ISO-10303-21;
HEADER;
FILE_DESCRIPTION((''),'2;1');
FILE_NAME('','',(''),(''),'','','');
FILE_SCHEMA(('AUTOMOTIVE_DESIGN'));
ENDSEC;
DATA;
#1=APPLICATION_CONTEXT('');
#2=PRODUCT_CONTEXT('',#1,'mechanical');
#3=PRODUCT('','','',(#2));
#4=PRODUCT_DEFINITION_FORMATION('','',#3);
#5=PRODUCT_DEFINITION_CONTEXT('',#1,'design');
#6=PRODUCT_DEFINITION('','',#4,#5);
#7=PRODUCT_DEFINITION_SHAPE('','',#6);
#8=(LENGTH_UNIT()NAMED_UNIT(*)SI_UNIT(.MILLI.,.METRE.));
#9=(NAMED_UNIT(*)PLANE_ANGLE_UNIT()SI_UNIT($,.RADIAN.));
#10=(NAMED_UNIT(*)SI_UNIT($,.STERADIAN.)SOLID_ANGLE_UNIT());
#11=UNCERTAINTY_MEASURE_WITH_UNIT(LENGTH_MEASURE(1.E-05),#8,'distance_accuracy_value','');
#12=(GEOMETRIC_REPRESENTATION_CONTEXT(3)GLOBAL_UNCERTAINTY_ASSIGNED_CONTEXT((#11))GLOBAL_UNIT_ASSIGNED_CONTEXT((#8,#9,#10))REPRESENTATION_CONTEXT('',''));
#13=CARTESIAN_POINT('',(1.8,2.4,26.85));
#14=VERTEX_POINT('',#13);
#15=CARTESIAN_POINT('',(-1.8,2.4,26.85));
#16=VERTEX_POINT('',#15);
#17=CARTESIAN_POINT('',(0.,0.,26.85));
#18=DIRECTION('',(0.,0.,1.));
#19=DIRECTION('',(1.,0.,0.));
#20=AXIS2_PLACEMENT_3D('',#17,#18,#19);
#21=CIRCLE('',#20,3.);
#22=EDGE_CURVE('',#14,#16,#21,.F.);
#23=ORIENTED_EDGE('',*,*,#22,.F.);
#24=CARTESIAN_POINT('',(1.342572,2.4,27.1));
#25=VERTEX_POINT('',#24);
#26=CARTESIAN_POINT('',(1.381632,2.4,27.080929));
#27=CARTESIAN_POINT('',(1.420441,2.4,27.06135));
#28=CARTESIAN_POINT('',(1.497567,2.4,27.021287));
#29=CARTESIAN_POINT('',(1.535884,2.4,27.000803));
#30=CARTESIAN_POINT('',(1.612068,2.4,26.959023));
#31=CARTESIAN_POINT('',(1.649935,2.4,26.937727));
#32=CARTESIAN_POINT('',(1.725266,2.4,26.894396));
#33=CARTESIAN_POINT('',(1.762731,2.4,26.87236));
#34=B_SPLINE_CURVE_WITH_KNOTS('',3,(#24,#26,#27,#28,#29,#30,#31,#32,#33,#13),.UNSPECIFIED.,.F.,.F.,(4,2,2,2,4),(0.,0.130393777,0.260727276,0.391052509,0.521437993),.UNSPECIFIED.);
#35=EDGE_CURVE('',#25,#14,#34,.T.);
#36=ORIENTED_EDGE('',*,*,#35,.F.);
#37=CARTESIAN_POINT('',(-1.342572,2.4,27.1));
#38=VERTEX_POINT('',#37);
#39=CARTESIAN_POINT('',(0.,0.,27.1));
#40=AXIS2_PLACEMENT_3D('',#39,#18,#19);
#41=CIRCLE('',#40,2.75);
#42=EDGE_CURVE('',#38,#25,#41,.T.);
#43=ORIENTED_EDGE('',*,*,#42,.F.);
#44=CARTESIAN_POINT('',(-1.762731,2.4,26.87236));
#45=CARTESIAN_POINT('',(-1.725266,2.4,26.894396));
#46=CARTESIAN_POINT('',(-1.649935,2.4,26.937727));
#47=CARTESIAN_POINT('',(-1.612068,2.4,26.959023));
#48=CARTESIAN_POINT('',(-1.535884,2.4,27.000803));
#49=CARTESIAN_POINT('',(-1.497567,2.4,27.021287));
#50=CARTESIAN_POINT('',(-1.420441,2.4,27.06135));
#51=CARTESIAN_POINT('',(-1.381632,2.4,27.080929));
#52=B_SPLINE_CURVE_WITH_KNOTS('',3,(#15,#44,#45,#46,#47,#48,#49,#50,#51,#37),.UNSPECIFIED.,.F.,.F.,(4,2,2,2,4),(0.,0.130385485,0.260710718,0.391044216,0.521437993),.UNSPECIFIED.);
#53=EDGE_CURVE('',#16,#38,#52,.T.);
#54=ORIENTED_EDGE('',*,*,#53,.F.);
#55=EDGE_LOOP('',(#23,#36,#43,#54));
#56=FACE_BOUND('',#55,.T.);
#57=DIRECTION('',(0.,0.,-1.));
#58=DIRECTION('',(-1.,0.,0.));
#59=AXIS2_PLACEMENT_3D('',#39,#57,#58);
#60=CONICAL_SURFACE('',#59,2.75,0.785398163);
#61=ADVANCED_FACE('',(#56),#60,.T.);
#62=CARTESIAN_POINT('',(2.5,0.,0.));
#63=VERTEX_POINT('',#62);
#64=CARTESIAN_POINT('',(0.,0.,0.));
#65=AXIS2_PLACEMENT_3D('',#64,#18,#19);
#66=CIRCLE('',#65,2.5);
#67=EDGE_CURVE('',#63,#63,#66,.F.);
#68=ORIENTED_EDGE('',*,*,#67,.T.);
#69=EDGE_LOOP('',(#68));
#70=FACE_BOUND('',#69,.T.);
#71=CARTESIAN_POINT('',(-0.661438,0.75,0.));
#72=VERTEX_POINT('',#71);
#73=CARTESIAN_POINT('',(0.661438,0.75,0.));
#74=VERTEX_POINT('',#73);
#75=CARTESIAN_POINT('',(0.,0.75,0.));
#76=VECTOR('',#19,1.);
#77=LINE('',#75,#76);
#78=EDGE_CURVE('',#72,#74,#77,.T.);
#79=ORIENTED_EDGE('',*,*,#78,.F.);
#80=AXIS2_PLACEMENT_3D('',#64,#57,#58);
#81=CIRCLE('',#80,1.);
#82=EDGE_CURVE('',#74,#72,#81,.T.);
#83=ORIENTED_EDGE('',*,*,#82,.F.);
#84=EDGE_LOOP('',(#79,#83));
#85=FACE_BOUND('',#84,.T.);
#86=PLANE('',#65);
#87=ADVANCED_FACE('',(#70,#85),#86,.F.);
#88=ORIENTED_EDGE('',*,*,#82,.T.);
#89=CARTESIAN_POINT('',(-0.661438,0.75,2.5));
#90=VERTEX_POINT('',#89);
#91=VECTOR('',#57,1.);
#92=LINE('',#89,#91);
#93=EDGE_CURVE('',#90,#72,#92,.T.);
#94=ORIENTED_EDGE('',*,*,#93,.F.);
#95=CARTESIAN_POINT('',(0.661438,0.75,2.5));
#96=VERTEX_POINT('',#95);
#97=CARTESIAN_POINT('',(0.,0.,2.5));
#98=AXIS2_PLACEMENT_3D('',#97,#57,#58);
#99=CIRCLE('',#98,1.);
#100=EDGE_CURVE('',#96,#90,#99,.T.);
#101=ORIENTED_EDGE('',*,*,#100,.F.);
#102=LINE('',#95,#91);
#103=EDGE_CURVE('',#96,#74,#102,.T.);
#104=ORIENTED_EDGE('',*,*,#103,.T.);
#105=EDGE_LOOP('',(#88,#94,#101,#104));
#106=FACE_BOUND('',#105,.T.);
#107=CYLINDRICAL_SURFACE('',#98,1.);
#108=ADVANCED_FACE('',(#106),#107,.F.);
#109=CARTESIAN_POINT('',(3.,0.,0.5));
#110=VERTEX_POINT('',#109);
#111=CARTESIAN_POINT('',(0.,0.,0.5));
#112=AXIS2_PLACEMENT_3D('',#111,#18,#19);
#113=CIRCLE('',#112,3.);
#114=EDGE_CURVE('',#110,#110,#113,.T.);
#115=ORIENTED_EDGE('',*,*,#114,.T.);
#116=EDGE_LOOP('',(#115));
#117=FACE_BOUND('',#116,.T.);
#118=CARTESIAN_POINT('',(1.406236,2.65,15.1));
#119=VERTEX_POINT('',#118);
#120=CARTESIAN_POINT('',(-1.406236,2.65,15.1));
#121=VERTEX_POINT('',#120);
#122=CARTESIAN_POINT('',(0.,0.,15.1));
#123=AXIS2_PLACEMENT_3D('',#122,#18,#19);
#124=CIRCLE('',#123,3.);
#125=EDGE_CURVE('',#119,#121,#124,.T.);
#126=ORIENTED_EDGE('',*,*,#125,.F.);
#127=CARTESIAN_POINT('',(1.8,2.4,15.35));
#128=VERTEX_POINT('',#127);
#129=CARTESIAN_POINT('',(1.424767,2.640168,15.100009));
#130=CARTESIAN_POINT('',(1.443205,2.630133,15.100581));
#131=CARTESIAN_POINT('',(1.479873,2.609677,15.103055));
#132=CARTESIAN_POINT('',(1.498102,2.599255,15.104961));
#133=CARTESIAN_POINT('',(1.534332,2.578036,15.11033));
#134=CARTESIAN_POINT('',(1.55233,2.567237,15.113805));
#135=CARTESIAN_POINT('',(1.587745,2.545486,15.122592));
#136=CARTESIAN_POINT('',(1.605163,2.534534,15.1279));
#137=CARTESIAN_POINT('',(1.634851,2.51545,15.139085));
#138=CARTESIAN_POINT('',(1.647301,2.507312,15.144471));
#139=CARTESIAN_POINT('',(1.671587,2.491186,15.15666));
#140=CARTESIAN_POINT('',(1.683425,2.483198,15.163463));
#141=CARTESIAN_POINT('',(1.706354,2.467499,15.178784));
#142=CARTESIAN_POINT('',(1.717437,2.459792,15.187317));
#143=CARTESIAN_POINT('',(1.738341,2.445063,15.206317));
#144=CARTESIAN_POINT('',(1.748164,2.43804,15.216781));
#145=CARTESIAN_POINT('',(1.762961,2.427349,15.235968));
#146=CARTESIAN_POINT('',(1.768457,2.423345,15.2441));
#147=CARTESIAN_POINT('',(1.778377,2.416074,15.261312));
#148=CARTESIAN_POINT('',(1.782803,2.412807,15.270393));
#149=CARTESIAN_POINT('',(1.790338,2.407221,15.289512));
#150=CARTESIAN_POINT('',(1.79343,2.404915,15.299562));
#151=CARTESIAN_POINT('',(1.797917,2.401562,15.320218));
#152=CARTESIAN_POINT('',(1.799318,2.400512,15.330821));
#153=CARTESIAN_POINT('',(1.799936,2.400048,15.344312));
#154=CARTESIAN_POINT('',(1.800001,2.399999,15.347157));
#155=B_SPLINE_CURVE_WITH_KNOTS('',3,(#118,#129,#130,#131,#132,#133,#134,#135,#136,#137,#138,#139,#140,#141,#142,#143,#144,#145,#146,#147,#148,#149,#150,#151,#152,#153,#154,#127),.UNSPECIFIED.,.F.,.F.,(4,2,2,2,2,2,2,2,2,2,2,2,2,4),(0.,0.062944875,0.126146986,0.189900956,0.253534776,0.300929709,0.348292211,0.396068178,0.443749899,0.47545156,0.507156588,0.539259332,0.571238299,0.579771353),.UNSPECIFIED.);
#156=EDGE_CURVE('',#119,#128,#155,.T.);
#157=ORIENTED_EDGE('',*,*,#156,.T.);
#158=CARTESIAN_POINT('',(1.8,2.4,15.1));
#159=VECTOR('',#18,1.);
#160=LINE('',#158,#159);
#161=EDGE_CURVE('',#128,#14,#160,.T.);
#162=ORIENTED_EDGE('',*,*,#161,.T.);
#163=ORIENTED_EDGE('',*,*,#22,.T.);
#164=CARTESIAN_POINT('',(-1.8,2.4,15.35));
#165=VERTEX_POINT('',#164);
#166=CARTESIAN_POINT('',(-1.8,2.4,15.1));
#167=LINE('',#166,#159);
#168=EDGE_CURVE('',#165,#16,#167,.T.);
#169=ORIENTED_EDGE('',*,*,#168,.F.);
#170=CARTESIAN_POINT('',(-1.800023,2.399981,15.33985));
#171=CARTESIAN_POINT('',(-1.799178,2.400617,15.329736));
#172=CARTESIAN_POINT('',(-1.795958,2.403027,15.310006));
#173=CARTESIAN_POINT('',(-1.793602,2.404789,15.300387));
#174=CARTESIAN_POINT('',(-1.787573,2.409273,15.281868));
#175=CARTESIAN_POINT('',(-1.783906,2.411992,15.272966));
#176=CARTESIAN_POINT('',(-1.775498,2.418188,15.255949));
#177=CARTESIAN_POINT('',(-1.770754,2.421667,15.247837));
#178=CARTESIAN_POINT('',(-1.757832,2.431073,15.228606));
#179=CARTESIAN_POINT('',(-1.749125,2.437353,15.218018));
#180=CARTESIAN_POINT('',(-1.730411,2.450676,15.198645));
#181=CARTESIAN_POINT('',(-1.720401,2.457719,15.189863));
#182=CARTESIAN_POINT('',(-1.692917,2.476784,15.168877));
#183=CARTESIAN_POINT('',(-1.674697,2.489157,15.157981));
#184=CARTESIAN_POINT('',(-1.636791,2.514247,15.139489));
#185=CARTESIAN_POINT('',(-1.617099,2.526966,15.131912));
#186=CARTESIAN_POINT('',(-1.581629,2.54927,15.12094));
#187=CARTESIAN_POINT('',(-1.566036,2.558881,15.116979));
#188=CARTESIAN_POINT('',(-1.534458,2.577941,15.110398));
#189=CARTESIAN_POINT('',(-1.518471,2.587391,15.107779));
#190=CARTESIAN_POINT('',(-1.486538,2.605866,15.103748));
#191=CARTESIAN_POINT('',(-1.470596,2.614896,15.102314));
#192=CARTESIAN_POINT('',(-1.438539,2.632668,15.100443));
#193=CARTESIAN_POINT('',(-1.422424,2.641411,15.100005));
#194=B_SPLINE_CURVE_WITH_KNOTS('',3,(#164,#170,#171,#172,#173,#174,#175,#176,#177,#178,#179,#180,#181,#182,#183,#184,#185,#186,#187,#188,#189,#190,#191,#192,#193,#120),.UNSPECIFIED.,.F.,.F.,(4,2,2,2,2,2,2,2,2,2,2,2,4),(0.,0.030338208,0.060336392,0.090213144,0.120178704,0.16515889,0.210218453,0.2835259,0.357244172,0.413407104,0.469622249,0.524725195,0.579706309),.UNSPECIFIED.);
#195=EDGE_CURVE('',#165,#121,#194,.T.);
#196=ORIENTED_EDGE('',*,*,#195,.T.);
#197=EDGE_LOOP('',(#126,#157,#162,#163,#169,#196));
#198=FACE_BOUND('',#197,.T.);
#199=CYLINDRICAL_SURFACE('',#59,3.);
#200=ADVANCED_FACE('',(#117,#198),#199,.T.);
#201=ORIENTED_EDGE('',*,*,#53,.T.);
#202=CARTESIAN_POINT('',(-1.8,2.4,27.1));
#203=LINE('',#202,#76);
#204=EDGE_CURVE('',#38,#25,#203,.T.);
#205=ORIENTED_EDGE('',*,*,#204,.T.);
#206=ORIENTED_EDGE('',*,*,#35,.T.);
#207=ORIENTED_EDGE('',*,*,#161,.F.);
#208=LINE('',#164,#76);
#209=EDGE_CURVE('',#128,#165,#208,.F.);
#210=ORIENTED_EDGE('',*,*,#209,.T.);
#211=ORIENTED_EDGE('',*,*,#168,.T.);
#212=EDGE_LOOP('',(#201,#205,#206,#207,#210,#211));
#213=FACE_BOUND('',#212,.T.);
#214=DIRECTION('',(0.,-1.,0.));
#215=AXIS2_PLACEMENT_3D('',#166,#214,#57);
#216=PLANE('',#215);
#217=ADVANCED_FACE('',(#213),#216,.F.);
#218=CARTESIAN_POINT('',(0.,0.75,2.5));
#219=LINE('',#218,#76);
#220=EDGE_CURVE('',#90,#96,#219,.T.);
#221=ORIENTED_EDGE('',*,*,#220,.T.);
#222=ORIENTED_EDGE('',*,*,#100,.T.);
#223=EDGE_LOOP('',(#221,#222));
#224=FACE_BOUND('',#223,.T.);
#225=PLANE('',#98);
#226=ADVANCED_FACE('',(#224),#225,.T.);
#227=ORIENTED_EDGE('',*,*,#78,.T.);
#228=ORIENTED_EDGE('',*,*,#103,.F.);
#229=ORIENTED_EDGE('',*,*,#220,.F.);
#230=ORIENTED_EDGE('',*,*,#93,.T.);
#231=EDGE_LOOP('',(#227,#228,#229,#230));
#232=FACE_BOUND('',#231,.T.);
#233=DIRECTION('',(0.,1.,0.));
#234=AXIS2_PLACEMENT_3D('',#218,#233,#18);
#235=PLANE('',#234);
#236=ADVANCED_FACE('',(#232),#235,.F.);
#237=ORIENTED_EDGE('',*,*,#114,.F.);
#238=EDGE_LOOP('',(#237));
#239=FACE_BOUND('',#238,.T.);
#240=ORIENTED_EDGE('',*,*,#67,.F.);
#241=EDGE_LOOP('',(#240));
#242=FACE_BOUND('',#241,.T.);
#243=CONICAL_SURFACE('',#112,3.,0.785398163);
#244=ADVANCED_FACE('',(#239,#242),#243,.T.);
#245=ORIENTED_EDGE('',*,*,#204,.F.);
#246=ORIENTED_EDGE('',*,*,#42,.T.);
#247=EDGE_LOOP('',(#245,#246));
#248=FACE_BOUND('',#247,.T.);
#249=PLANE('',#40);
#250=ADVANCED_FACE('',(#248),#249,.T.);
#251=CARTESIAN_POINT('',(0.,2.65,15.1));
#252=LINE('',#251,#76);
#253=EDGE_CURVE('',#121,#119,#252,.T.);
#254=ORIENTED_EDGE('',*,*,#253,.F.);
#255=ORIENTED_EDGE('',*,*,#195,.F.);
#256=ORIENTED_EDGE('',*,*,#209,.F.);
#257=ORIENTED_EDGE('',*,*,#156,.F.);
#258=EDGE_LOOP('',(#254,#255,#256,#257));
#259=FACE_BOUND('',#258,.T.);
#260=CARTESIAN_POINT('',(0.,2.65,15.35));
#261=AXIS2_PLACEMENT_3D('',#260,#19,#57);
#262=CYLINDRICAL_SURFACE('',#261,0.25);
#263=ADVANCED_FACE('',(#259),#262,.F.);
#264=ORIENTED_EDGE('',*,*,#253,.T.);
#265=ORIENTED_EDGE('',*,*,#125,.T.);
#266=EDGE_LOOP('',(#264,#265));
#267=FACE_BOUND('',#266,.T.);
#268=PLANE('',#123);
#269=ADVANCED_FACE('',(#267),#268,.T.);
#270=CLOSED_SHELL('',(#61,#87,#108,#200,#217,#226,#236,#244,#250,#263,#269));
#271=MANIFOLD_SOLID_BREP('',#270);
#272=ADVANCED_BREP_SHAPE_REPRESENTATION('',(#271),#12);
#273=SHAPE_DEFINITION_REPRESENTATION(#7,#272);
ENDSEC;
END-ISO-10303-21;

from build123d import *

# Parameters (mm, degrees)
CROQUIS1_R              = 3
SALIENTE_EXTRUIR1_DEPTH = 27.1
CORTAR_EXTRUIR1_DEPTH   = 12
CHAFL_N1_SIZE           = 0.25
CUT_EXTRUDE2_DEPTH      = 2.5
CHAMFER1_SIZE           = 0.5
FILLET1_R               = 0.25


with BuildPart() as part:
    # Croquis1 → Saliente-Extruir1 (new body)
    with BuildSketch(Plane.XY):
        Circle(CROQUIS1_R)
    extrude(amount=SALIENTE_EXTRUIR1_DEPTH)

    # Croquis2 → Cortar-Extruir1 (cut)
    with BuildSketch(Plane.XY.offset(27.1)):
        with BuildLine():
            Line((-1.8, 2.4), (1.8, 2.4))
            ThreePointArc((1.8, 2.4), (0, 3), (-1.8, 2.4))
        make_face()
    extrude(amount=-CORTAR_EXTRUIR1_DEPTH, mode=Mode.SUBTRACT)

    # Chaflán1
    chafl_n1_edges = [part.edges().sort_by_distance(p)[0] for p in [
        (-1.341640786, -2.683281573, 27.1),
    ]]
    chamfer(chafl_n1_edges, length=CHAFL_N1_SIZE)

    # Sketch1 → Cut-Extrude2 (cut)
    with BuildSketch(Plane(origin=(0, 0, 0), x_dir=(-1, 0, 0), z_dir=(0, 0, -1))):
        with BuildLine():
            Line((0, 0.75), (-0.661437828, 0.75))
            ThreePointArc((-0.661437828, 0.75), (0, -1), (0.661437828, 0.75))
            Line((0.661437828, 0.75), (0, 0.75))
        make_face()
    extrude(amount=-CUT_EXTRUDE2_DEPTH, mode=Mode.SUBTRACT)

    # Chamfer1
    chamfer1_edges = [part.edges().sort_by_distance(p)[0] for p in [
        (-3, 0, 0),
    ]]
    chamfer(chamfer1_edges, length=CHAMFER1_SIZE)

    # Fillet1
    fillet1_edges = [part.edges().sort_by_distance(p)[0] for p in [
        (0, 2.4, 15.1),
    ]]
    fillet(fillet1_edges, radius=FILLET1_R)


solid = part.part
